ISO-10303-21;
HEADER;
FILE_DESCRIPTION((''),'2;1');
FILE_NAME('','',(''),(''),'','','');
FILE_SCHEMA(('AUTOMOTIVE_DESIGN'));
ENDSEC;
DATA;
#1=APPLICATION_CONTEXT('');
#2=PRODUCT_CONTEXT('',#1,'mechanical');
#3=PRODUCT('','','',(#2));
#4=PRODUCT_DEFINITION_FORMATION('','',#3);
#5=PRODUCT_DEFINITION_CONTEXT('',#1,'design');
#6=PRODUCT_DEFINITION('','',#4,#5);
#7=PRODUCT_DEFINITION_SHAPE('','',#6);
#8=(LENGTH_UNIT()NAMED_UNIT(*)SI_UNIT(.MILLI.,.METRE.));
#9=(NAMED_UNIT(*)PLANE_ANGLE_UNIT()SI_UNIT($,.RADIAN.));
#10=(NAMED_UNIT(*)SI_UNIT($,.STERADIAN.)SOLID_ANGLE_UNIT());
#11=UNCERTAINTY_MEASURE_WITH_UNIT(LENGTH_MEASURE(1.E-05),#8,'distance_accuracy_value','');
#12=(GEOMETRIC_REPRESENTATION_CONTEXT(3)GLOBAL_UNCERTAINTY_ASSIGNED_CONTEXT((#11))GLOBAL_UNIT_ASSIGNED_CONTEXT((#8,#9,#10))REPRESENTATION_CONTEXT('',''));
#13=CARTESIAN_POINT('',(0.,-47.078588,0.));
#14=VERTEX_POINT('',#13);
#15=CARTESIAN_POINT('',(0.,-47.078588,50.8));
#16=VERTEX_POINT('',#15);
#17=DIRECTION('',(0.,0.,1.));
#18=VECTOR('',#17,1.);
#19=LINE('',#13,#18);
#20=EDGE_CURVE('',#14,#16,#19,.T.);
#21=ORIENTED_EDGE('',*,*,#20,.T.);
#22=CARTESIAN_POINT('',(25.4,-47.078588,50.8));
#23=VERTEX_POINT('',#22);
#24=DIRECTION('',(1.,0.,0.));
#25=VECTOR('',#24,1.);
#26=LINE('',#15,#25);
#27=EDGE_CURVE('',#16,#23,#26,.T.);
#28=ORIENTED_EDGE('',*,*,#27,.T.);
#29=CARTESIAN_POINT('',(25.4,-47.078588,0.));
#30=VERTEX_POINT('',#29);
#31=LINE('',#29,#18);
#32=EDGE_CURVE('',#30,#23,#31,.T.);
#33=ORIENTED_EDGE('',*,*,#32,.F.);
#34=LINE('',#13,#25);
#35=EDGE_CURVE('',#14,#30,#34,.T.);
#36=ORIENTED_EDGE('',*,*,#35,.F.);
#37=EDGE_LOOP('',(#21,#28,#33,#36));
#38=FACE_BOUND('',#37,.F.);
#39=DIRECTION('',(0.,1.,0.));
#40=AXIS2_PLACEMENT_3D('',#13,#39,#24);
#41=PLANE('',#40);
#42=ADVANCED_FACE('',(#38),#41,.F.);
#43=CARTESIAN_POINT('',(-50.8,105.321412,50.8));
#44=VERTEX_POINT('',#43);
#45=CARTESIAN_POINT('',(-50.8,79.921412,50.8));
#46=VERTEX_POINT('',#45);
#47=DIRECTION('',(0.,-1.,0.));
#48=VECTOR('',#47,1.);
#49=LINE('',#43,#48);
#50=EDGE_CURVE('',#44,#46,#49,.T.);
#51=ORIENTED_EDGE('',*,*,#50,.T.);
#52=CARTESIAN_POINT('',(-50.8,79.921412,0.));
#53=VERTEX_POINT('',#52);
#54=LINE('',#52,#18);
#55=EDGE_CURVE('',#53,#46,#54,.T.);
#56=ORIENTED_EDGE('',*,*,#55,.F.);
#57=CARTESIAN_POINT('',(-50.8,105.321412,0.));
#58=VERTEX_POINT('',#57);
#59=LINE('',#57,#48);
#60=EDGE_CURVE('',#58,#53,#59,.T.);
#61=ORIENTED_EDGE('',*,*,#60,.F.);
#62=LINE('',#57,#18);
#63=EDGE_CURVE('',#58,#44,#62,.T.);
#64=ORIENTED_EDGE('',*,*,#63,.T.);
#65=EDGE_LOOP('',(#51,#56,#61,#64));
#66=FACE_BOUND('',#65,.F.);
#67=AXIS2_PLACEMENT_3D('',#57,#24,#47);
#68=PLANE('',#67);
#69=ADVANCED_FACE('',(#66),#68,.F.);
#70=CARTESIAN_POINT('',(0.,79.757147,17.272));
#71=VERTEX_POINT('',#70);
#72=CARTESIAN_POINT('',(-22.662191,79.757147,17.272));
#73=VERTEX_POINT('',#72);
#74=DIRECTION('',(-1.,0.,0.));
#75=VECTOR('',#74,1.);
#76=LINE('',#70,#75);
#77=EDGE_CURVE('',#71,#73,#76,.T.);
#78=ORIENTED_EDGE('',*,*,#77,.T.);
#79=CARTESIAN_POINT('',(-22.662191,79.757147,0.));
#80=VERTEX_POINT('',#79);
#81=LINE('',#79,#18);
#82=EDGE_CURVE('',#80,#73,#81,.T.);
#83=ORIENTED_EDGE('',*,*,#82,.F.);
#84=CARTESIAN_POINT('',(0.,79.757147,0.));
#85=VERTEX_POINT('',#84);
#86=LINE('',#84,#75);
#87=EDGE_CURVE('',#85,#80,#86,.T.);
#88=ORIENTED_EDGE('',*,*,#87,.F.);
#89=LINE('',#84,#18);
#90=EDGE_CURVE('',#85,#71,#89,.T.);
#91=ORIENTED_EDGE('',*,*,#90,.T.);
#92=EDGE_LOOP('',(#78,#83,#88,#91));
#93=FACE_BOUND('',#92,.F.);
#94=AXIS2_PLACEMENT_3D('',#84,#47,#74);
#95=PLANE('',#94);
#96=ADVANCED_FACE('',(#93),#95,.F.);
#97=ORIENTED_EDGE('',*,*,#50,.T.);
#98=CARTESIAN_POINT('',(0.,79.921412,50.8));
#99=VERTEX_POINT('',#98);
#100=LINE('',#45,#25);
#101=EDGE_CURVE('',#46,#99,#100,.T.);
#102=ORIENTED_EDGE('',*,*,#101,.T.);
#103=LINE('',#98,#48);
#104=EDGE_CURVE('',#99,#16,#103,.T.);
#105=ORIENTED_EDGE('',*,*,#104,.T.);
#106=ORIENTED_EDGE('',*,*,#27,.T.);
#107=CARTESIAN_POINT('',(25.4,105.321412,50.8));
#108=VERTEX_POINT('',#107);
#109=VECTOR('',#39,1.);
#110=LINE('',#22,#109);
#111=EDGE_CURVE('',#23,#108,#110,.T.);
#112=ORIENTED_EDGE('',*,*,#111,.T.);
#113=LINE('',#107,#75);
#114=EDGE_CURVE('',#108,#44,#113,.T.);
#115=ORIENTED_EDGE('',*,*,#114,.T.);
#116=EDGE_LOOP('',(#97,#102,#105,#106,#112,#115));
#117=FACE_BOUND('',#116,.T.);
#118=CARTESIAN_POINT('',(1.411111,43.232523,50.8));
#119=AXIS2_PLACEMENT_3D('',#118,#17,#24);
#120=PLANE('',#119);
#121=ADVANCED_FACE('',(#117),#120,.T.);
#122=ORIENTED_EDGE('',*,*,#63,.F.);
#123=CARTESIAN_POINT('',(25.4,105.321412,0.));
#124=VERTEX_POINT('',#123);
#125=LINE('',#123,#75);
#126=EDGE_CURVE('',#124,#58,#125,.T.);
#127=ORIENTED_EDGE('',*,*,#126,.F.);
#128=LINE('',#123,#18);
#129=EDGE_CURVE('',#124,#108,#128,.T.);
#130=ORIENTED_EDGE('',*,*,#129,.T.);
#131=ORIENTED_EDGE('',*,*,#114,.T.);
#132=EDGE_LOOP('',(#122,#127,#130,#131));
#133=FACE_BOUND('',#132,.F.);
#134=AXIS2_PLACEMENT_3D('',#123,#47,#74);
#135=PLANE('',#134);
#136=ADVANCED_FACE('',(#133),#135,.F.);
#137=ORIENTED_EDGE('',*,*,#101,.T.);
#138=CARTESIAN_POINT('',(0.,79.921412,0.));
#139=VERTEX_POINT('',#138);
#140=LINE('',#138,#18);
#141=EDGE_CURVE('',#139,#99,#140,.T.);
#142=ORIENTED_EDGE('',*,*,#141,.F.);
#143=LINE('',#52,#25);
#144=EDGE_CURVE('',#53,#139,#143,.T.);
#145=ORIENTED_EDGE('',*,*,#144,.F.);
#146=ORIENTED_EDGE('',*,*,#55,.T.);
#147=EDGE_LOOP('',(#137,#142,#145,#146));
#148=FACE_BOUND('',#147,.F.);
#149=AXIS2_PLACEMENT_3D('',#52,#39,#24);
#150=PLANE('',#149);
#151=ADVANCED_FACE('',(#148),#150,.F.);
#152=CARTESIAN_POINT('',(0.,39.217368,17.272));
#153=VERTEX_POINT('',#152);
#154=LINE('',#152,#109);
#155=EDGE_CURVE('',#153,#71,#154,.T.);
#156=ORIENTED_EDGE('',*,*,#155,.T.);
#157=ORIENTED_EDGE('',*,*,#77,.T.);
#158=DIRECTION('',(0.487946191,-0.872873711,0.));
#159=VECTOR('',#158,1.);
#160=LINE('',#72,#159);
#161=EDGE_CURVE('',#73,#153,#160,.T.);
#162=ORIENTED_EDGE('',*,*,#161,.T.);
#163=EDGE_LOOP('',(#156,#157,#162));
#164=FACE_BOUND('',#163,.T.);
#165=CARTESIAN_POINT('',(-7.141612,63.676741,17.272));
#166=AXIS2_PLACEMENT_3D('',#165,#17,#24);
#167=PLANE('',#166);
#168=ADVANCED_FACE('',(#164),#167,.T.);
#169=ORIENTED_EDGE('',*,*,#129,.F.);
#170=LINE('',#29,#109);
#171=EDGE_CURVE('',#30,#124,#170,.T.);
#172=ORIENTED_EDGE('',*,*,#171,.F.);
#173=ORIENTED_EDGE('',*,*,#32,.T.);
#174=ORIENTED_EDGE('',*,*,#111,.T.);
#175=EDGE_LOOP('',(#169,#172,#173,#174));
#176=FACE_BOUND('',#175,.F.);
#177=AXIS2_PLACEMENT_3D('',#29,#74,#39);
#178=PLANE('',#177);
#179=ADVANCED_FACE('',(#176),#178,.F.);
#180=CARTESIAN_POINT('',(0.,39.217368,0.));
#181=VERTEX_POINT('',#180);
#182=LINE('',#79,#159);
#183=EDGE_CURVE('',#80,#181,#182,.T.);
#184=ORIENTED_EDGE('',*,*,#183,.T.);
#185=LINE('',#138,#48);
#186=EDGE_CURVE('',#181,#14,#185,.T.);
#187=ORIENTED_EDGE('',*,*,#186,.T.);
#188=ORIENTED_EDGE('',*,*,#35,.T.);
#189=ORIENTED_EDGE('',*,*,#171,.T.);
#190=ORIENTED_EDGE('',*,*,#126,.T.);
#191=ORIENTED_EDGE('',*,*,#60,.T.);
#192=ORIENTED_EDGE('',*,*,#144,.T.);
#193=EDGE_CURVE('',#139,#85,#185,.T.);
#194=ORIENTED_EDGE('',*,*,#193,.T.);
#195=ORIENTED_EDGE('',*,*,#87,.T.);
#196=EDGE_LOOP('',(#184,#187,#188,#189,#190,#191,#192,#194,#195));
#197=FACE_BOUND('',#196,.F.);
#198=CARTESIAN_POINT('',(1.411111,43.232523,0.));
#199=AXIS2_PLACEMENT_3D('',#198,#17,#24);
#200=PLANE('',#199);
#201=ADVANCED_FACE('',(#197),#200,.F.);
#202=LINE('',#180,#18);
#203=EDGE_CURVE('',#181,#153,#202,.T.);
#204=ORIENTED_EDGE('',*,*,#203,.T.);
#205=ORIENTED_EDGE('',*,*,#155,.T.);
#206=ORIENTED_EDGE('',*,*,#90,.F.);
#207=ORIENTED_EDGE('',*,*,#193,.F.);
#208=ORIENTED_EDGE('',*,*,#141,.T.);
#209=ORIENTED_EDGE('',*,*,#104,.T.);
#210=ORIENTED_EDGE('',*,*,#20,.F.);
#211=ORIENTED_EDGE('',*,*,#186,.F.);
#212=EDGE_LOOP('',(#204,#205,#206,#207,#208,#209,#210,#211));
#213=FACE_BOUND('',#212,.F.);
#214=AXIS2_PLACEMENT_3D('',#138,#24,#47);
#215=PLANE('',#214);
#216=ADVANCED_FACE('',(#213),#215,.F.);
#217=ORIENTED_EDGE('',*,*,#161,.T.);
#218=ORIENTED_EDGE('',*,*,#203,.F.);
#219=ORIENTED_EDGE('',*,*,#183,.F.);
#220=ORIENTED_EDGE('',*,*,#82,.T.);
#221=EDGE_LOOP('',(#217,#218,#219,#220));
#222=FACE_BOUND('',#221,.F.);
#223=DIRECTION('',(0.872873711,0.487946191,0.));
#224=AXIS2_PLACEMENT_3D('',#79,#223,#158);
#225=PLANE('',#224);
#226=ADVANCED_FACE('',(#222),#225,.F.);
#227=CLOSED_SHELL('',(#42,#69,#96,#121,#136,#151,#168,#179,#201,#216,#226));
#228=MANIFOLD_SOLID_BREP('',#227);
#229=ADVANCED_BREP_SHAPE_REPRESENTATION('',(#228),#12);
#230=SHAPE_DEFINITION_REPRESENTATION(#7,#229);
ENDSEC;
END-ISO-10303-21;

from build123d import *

# Parameters (mm, degrees)
F1_DEPTH = 50.8
F3_DEPTH = 17.272


with BuildPart() as f1:
    # F0 (on Top) → F1 (new body)
    with BuildSketch(Plane.XY):
        Polygon((0, 79.921412), (0, -47.078588), (25.4, -47.078588), (25.4, 105.321412), (-50.8, 105.321412), (-50.8, 79.921412), align=None)
    extrude(amount=F1_DEPTH)

    # F2 (on Top) → F3 (join)
    with BuildSketch(Plane.XY):
        Polygon((0, 79.757147), (-22.662191, 79.757147), (0, 39.217368), align=None)
    extrude(amount=F3_DEPTH)


solid = f1.part
